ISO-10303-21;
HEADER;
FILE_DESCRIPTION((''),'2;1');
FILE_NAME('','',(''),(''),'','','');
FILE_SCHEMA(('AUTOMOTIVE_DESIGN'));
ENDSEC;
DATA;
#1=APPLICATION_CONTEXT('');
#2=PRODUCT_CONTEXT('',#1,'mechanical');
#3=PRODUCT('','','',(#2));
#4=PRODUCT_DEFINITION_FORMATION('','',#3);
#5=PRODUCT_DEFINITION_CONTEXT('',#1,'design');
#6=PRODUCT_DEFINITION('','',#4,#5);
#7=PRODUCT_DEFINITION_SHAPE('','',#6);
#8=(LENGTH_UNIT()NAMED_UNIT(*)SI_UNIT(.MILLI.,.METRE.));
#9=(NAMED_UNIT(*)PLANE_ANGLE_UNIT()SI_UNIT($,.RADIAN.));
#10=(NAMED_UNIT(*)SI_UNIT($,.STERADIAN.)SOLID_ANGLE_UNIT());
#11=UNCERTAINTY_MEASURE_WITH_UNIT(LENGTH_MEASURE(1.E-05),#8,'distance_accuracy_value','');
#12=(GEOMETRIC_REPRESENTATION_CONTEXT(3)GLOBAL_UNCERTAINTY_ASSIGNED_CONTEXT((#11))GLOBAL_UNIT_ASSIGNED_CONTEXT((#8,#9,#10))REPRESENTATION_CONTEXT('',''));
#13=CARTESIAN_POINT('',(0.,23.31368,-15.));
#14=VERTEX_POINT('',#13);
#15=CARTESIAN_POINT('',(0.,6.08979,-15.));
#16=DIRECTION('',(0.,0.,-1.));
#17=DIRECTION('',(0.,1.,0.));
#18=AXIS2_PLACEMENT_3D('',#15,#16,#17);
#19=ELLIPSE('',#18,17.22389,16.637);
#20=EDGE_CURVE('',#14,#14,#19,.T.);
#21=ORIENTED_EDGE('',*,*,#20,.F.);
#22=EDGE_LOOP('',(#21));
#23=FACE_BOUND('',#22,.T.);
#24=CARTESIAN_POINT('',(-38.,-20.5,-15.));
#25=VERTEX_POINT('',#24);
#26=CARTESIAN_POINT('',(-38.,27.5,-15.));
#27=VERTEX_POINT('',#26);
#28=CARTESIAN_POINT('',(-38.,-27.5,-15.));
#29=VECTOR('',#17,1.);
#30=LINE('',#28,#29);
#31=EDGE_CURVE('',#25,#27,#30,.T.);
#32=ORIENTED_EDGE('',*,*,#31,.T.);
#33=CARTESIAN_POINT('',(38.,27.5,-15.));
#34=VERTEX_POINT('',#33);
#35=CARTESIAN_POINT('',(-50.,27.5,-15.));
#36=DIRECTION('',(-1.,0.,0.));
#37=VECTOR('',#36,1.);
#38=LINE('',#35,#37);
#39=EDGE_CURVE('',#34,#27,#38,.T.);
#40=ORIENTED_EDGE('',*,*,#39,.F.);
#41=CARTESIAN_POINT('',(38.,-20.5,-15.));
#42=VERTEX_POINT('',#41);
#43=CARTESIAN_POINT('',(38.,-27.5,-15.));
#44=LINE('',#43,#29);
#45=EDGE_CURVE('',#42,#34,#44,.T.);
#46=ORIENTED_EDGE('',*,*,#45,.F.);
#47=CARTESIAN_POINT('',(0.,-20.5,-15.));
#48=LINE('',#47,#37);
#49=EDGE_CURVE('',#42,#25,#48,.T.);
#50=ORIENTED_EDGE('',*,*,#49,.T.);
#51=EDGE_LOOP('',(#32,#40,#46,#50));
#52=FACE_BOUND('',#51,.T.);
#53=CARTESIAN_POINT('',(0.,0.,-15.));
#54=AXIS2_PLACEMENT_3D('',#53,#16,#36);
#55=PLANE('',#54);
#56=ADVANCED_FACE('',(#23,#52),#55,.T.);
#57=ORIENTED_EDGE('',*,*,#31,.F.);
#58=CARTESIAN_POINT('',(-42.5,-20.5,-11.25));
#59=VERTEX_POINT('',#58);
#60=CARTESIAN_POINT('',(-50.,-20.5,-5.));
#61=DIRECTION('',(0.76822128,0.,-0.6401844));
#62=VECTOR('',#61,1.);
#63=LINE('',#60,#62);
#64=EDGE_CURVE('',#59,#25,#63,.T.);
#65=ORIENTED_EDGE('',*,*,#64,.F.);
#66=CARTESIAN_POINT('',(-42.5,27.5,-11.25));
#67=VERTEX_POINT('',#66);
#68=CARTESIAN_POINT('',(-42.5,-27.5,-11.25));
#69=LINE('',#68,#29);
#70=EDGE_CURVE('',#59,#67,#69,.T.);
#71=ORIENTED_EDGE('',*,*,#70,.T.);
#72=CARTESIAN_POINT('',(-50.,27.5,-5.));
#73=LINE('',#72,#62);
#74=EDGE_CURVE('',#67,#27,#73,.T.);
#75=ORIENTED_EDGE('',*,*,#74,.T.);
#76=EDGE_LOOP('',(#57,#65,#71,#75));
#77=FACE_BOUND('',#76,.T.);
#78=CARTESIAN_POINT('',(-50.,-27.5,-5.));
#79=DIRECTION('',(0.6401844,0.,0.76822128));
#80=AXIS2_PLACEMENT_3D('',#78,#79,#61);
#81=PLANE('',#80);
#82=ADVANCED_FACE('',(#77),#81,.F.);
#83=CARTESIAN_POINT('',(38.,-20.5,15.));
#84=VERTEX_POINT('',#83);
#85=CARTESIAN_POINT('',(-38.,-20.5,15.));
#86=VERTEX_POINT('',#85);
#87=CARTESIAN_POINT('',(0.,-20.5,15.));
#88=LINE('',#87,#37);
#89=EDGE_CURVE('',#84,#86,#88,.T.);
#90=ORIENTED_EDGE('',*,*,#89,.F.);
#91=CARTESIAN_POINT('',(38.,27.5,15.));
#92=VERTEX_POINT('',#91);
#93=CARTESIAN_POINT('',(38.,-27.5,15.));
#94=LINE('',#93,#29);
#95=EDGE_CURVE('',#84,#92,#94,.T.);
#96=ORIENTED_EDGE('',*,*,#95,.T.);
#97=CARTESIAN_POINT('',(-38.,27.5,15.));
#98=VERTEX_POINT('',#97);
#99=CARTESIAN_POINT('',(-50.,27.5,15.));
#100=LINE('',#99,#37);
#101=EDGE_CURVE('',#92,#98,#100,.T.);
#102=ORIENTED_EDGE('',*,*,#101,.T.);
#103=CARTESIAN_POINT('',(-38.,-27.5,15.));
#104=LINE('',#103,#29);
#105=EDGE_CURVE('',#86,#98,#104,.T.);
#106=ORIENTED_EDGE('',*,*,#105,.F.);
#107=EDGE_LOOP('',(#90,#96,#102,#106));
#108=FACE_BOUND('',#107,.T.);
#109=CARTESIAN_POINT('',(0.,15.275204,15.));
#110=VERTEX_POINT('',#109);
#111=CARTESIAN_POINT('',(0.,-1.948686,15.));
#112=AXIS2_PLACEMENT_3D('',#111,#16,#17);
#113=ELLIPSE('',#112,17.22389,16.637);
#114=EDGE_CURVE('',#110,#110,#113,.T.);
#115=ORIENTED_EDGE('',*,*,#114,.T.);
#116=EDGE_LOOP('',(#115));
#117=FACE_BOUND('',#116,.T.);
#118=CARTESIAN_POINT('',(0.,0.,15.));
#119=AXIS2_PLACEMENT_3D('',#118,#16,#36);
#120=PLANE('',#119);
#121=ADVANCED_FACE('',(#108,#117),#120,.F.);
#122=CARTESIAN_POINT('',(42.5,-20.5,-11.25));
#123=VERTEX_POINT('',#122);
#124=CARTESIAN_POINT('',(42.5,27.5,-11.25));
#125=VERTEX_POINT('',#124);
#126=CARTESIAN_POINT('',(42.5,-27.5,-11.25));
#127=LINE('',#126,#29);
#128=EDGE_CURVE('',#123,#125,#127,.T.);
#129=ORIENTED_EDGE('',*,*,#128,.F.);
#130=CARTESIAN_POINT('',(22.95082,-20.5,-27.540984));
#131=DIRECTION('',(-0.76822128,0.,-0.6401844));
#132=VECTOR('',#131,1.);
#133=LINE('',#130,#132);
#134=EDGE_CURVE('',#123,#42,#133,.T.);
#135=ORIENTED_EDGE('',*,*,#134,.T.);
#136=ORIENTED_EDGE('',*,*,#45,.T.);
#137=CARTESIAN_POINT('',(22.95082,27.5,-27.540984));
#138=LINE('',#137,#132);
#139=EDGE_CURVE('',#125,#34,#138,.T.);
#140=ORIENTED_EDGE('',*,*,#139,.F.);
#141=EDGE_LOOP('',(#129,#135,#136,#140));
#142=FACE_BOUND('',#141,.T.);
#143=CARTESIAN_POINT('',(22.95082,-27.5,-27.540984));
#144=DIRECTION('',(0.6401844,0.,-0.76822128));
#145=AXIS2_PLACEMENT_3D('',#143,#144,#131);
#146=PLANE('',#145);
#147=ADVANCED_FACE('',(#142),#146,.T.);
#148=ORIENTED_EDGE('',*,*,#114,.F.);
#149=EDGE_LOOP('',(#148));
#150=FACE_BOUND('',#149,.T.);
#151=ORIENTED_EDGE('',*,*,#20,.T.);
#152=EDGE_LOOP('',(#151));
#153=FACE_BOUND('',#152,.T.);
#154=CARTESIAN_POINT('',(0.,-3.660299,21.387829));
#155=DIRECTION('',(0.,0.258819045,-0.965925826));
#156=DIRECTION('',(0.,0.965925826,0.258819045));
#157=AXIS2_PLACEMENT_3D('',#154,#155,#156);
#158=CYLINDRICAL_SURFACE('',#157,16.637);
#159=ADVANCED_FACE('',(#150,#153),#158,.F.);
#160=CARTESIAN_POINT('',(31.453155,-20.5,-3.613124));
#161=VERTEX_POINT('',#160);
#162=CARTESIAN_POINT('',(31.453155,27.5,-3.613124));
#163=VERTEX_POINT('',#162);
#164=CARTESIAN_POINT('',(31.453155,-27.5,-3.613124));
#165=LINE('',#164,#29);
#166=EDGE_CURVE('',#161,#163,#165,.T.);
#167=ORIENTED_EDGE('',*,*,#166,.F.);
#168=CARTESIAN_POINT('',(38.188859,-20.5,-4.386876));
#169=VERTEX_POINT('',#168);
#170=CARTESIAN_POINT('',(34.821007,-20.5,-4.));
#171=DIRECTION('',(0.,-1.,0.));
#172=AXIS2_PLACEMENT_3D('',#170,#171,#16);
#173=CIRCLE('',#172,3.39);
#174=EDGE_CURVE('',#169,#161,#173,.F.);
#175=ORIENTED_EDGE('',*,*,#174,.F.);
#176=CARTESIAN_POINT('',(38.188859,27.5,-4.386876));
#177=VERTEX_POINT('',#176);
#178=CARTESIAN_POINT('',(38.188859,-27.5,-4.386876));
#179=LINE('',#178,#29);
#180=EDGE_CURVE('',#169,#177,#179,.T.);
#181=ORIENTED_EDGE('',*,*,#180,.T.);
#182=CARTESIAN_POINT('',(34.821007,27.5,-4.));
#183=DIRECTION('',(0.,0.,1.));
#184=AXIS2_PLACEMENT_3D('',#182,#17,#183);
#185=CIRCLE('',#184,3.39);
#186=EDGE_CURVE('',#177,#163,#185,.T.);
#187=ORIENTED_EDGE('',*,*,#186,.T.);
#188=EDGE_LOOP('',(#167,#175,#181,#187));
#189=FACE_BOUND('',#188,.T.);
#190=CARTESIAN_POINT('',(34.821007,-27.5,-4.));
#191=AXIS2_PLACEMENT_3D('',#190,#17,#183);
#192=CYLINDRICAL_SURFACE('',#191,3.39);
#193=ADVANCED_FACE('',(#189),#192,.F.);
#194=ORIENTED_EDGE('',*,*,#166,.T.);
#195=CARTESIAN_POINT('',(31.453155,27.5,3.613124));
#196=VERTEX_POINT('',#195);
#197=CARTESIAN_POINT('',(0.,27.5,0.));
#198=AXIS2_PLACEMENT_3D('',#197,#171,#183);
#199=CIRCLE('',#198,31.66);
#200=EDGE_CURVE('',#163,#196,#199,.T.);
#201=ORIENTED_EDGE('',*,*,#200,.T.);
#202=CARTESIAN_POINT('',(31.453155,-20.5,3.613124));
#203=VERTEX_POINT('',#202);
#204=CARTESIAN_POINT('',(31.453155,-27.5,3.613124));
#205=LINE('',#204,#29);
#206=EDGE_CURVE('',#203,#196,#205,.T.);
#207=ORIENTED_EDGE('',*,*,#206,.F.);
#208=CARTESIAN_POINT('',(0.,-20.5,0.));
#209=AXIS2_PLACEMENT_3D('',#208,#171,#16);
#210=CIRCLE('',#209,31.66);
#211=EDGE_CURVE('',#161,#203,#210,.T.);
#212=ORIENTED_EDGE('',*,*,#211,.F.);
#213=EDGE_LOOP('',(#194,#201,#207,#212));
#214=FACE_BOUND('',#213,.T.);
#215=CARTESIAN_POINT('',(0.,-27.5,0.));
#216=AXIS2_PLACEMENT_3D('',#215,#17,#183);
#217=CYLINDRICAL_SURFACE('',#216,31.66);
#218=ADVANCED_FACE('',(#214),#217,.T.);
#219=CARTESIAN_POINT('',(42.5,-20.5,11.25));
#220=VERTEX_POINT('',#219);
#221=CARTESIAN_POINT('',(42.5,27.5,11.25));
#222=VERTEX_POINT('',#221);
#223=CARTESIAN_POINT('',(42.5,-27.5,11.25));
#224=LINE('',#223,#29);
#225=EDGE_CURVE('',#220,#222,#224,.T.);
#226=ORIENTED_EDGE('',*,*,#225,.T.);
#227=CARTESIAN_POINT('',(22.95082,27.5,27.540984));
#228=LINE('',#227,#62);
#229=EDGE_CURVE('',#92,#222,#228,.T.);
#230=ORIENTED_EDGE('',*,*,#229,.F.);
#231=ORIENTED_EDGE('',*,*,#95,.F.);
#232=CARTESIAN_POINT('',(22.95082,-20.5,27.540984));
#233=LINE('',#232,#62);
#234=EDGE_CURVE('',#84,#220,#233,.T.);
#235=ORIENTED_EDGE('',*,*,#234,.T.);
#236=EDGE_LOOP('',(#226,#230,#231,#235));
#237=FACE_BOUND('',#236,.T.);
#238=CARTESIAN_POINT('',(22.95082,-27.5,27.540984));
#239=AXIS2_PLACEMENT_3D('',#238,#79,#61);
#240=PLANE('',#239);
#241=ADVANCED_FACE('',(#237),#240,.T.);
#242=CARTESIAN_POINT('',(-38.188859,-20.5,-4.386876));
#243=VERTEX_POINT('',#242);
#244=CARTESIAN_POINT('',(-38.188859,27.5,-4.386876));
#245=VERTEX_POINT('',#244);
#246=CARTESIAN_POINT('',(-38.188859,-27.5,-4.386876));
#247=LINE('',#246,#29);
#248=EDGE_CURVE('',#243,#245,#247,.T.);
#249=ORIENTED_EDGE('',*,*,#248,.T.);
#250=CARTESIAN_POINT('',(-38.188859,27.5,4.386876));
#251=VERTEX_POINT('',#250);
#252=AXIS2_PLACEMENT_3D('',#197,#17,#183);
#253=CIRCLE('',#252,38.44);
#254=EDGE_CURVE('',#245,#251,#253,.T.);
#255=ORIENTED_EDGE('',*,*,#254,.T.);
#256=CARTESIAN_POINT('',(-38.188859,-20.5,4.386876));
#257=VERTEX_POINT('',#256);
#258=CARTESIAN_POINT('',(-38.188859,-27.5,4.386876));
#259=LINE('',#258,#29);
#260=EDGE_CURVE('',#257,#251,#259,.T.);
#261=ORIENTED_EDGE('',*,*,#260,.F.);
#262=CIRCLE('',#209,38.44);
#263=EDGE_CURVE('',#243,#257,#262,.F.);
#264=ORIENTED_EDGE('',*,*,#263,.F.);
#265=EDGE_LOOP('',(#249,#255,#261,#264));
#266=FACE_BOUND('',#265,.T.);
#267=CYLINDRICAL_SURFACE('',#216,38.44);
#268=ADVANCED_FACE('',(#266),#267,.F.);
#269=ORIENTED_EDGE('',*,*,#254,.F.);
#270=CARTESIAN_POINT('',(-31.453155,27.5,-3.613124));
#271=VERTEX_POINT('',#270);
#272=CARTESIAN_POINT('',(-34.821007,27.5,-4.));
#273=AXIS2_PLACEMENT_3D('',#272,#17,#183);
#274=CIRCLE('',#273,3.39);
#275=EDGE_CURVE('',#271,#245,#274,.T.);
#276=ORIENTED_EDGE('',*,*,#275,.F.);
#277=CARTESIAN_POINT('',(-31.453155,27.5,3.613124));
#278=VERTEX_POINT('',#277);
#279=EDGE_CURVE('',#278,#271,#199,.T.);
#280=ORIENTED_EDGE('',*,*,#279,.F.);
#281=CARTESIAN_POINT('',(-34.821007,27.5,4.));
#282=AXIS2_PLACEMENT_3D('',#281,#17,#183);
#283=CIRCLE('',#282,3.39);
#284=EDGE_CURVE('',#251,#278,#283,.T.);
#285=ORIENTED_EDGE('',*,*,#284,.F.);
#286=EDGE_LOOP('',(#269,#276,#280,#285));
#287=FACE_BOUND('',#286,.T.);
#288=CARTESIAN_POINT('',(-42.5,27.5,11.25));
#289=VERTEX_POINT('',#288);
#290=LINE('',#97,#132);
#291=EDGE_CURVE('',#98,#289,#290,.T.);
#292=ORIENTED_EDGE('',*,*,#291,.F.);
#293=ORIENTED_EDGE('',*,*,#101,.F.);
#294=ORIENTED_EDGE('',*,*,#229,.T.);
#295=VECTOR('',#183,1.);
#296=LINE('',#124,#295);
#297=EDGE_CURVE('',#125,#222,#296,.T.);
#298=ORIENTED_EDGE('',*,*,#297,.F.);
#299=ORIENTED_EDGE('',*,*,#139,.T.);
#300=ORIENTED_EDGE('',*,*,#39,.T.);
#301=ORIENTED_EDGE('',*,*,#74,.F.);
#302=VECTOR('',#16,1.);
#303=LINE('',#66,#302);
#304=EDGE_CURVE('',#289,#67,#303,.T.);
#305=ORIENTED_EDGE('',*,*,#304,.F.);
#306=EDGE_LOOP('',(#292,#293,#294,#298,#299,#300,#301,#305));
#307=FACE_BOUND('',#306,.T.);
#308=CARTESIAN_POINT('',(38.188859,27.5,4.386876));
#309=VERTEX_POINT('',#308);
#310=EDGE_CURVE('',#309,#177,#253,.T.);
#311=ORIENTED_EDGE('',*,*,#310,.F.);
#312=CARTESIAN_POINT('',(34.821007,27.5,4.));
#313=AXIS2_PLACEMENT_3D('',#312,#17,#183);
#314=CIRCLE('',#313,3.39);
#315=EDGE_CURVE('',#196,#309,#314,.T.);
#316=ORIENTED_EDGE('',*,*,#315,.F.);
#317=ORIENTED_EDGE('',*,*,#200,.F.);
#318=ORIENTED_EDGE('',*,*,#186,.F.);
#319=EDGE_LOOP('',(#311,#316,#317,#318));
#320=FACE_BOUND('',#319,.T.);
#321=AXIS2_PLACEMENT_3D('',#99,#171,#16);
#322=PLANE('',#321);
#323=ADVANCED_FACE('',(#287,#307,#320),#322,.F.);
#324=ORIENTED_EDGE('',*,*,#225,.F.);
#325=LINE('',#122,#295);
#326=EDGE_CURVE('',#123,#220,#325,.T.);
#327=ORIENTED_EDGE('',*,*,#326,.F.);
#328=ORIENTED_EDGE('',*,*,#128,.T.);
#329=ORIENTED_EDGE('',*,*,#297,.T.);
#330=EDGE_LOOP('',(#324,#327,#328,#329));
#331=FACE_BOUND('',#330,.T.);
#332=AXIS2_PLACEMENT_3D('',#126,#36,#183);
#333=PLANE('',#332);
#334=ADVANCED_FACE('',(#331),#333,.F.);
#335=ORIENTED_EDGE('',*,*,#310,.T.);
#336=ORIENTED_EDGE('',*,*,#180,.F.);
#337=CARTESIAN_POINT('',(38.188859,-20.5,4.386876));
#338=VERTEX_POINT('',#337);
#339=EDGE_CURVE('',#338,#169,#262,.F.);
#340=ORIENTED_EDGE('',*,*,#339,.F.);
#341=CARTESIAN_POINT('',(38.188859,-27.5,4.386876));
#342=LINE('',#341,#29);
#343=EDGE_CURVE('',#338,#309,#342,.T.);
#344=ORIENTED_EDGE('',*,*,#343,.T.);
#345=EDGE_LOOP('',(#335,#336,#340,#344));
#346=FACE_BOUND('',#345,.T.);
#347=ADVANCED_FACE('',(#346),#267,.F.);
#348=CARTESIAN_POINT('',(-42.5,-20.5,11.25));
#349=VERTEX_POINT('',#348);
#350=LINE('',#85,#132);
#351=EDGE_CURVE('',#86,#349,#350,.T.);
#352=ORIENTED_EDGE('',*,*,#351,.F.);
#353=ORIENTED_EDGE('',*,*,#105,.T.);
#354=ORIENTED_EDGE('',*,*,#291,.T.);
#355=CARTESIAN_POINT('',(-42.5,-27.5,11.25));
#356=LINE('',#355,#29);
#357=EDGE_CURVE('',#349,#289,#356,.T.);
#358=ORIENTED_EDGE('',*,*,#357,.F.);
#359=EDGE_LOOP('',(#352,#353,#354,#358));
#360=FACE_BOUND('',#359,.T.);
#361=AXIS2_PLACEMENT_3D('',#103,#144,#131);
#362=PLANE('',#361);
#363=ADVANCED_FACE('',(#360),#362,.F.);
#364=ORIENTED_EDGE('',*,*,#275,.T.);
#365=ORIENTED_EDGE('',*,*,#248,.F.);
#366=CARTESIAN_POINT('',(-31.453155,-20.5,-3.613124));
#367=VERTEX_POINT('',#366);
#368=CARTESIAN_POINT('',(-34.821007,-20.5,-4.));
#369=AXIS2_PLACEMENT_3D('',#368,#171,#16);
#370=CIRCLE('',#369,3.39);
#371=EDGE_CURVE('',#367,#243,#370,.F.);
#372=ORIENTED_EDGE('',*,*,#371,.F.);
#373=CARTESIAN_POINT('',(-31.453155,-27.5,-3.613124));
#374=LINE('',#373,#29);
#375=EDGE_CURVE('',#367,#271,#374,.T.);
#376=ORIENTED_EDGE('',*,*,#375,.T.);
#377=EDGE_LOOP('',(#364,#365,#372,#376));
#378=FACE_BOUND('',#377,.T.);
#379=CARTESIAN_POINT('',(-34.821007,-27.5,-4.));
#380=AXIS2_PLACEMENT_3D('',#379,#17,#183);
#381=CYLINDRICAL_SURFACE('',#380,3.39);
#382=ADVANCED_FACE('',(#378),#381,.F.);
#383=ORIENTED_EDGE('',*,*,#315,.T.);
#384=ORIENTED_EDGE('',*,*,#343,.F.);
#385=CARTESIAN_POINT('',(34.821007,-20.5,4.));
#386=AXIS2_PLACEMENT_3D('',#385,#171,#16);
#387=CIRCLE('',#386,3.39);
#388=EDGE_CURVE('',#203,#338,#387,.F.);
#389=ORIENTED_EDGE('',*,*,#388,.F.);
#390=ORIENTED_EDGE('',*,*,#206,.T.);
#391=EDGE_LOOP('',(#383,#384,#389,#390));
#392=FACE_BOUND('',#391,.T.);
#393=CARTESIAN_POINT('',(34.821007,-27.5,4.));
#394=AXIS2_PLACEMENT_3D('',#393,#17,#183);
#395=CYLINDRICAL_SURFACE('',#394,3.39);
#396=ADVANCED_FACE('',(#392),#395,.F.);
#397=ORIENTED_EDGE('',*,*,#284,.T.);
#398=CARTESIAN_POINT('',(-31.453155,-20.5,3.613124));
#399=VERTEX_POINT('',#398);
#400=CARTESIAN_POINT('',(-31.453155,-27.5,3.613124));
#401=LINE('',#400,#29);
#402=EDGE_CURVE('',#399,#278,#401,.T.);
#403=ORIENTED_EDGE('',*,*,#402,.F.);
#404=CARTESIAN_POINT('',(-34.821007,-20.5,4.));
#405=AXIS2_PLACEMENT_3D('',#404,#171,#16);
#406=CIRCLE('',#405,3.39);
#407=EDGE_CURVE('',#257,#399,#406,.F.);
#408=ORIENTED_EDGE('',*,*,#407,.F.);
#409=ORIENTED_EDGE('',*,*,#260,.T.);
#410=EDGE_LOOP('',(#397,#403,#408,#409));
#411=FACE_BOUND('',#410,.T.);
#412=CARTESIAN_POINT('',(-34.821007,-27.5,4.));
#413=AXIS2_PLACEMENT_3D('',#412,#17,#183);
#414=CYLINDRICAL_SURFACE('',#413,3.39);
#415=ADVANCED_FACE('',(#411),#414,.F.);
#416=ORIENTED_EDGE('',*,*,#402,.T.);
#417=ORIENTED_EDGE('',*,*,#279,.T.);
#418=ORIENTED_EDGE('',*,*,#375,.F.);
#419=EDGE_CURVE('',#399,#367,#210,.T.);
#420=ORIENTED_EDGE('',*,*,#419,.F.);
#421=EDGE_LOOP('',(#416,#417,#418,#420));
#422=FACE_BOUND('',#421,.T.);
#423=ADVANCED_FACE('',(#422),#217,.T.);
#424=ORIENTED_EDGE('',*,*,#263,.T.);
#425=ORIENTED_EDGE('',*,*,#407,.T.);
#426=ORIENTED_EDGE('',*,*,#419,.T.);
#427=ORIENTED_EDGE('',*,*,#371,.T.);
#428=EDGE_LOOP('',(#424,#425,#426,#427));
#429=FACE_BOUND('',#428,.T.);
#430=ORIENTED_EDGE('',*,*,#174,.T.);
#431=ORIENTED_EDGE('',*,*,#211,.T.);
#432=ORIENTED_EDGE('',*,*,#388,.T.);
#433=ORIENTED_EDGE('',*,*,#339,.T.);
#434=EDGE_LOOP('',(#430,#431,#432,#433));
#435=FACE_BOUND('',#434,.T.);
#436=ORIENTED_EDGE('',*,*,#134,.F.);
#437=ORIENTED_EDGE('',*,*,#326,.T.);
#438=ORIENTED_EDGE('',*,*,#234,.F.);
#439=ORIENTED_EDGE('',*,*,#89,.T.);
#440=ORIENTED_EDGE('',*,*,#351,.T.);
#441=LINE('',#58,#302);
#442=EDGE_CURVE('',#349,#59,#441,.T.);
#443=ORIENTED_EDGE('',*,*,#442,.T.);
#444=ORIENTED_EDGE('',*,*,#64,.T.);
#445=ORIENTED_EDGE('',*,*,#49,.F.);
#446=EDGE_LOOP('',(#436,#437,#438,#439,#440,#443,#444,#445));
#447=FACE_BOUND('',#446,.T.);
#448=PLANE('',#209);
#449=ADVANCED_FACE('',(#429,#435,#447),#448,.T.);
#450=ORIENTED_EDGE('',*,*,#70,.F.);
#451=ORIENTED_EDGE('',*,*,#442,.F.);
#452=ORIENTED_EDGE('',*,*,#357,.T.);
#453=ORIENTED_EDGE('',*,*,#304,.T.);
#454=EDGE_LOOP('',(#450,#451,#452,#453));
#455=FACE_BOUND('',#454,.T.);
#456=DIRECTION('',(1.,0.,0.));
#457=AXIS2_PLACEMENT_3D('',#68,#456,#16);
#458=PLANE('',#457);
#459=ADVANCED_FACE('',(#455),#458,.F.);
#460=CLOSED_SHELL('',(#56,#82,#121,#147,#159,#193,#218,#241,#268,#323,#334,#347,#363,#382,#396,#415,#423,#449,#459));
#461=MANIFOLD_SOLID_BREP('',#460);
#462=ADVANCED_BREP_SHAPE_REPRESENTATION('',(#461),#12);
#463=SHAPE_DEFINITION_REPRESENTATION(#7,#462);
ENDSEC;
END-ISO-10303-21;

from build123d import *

# Parameters (mm, degrees)
SKETCH2_W           = 100
SKETCH2_H           = 55
BOSS_EXTRUDE1_DEPTH = 15
CUT_EXTRUDE2_DEPTH  = 76.828754441
SKETCH9_R           = 16.637
CUT_EXTRUDE3_DEPTH  = 70.869600016
CUT_EXTRUDE4_DEPTH  = 76.828754441
CUT_EXTRUDE5_DEPTH  = 76.828754441
SKETCH12_W          = 91
SKETCH12_H          = 35
CUT_EXTRUDE6_DEPTH  = 7


with BuildPart() as part:
    # Sketch2 → Boss-Extrude1 (new, symmetric)
    with BuildSketch(Plane.XY):
        Rectangle(SKETCH2_W, SKETCH2_H)
    extrude(amount=BOSS_EXTRUDE1_DEPTH, both=True)

    # Sketch5 → Cut-Extrude2 (cut, through all)
    with BuildSketch(Plane(origin=(0, 27.5, 0), x_dir=(1, 0, 0), z_dir=(0, 1, 0))):
        with BuildLine():
            ThreePointArc((-38.188858584, 4.386875892), (-38.44, 0), (-38.188858584, -4.386875892))
            ThreePointArc((-38.188858584, -4.386875892), (-34.434130699, -7.367851993), (-31.453154598, -3.613124108))
            ThreePointArc((-31.453154598, -3.613124108), (-31.66, 0), (-31.453154598, 3.613124108))
            ThreePointArc((-31.453154598, 3.613124108), (-34.434130699, 7.367851993), (-38.188858584, 4.386875892))
        make_face()
        with BuildLine():
            ThreePointArc((38.188858584, -4.386875892), (38.44, 0), (38.188858584, 4.386875892))
            ThreePointArc((38.188858584, 4.386875892), (34.434130699, 7.367851993), (31.453154598, 3.613124108))
            ThreePointArc((31.453154598, 3.613124108), (31.66, 0), (31.453154598, -3.613124108))
            ThreePointArc((31.453154598, -3.613124108), (34.434130699, -7.367851993), (38.188858584, -4.386875892))
        make_face()
    extrude(amount=-CUT_EXTRUDE2_DEPTH, mode=Mode.SUBTRACT)

    # Sketch9 → Cut-Extrude3 (cut, through all)
    with BuildSketch(Plane(origin=(0, 5.592150698, -20.870190528), x_dir=(-1, 0, 0), z_dir=(0, 0.25881904510252135, -0.9659258262890681))):
        with Locations(Location((0, 2, 0), (0, 0, 90))):
            Circle(SKETCH9_R)
    extrude(amount=-CUT_EXTRUDE3_DEPTH, mode=Mode.SUBTRACT)

    # Sketch10 → Cut-Extrude4 (cut, through all)
    with BuildSketch(Plane(origin=(0, 27.5, 0), x_dir=(1, 0, 0), z_dir=(0, 1, 0))):
        Polygon((50, 5), (50, 15), (38, 15), align=None)
        Polygon((50, -15), (50, -5), (38, -15), align=None)
        Polygon((-38, -15), (-50, -5), (-50, -15), align=None)
        Polygon((-50, 5), (-38, 15), (-50, 15), align=None)
    extrude(amount=-CUT_EXTRUDE4_DEPTH, mode=Mode.SUBTRACT)

    # Sketch11 → Cut-Extrude5 (cut, through all)
    with BuildSketch(Plane(origin=(0, 27.5, 0), x_dir=(1, 0, 0), z_dir=(0, 1, 0))):
        Polygon((-42.5, 11.25), (-42.5, -11.25), (-50, -5), (-50, 5), align=None)
        Polygon((42.5, 11.25), (42.5, -11.25), (50, -5), (50, 5), align=None)
    extrude(amount=-CUT_EXTRUDE5_DEPTH, mode=Mode.SUBTRACT)

    # Sketch12 → Cut-Extrude6 (cut)
    with BuildSketch(Plane.XZ.offset(27.5)):
        Rectangle(SKETCH12_W, SKETCH12_H)
    extrude(amount=-CUT_EXTRUDE6_DEPTH, mode=Mode.SUBTRACT)


solid = part.part
